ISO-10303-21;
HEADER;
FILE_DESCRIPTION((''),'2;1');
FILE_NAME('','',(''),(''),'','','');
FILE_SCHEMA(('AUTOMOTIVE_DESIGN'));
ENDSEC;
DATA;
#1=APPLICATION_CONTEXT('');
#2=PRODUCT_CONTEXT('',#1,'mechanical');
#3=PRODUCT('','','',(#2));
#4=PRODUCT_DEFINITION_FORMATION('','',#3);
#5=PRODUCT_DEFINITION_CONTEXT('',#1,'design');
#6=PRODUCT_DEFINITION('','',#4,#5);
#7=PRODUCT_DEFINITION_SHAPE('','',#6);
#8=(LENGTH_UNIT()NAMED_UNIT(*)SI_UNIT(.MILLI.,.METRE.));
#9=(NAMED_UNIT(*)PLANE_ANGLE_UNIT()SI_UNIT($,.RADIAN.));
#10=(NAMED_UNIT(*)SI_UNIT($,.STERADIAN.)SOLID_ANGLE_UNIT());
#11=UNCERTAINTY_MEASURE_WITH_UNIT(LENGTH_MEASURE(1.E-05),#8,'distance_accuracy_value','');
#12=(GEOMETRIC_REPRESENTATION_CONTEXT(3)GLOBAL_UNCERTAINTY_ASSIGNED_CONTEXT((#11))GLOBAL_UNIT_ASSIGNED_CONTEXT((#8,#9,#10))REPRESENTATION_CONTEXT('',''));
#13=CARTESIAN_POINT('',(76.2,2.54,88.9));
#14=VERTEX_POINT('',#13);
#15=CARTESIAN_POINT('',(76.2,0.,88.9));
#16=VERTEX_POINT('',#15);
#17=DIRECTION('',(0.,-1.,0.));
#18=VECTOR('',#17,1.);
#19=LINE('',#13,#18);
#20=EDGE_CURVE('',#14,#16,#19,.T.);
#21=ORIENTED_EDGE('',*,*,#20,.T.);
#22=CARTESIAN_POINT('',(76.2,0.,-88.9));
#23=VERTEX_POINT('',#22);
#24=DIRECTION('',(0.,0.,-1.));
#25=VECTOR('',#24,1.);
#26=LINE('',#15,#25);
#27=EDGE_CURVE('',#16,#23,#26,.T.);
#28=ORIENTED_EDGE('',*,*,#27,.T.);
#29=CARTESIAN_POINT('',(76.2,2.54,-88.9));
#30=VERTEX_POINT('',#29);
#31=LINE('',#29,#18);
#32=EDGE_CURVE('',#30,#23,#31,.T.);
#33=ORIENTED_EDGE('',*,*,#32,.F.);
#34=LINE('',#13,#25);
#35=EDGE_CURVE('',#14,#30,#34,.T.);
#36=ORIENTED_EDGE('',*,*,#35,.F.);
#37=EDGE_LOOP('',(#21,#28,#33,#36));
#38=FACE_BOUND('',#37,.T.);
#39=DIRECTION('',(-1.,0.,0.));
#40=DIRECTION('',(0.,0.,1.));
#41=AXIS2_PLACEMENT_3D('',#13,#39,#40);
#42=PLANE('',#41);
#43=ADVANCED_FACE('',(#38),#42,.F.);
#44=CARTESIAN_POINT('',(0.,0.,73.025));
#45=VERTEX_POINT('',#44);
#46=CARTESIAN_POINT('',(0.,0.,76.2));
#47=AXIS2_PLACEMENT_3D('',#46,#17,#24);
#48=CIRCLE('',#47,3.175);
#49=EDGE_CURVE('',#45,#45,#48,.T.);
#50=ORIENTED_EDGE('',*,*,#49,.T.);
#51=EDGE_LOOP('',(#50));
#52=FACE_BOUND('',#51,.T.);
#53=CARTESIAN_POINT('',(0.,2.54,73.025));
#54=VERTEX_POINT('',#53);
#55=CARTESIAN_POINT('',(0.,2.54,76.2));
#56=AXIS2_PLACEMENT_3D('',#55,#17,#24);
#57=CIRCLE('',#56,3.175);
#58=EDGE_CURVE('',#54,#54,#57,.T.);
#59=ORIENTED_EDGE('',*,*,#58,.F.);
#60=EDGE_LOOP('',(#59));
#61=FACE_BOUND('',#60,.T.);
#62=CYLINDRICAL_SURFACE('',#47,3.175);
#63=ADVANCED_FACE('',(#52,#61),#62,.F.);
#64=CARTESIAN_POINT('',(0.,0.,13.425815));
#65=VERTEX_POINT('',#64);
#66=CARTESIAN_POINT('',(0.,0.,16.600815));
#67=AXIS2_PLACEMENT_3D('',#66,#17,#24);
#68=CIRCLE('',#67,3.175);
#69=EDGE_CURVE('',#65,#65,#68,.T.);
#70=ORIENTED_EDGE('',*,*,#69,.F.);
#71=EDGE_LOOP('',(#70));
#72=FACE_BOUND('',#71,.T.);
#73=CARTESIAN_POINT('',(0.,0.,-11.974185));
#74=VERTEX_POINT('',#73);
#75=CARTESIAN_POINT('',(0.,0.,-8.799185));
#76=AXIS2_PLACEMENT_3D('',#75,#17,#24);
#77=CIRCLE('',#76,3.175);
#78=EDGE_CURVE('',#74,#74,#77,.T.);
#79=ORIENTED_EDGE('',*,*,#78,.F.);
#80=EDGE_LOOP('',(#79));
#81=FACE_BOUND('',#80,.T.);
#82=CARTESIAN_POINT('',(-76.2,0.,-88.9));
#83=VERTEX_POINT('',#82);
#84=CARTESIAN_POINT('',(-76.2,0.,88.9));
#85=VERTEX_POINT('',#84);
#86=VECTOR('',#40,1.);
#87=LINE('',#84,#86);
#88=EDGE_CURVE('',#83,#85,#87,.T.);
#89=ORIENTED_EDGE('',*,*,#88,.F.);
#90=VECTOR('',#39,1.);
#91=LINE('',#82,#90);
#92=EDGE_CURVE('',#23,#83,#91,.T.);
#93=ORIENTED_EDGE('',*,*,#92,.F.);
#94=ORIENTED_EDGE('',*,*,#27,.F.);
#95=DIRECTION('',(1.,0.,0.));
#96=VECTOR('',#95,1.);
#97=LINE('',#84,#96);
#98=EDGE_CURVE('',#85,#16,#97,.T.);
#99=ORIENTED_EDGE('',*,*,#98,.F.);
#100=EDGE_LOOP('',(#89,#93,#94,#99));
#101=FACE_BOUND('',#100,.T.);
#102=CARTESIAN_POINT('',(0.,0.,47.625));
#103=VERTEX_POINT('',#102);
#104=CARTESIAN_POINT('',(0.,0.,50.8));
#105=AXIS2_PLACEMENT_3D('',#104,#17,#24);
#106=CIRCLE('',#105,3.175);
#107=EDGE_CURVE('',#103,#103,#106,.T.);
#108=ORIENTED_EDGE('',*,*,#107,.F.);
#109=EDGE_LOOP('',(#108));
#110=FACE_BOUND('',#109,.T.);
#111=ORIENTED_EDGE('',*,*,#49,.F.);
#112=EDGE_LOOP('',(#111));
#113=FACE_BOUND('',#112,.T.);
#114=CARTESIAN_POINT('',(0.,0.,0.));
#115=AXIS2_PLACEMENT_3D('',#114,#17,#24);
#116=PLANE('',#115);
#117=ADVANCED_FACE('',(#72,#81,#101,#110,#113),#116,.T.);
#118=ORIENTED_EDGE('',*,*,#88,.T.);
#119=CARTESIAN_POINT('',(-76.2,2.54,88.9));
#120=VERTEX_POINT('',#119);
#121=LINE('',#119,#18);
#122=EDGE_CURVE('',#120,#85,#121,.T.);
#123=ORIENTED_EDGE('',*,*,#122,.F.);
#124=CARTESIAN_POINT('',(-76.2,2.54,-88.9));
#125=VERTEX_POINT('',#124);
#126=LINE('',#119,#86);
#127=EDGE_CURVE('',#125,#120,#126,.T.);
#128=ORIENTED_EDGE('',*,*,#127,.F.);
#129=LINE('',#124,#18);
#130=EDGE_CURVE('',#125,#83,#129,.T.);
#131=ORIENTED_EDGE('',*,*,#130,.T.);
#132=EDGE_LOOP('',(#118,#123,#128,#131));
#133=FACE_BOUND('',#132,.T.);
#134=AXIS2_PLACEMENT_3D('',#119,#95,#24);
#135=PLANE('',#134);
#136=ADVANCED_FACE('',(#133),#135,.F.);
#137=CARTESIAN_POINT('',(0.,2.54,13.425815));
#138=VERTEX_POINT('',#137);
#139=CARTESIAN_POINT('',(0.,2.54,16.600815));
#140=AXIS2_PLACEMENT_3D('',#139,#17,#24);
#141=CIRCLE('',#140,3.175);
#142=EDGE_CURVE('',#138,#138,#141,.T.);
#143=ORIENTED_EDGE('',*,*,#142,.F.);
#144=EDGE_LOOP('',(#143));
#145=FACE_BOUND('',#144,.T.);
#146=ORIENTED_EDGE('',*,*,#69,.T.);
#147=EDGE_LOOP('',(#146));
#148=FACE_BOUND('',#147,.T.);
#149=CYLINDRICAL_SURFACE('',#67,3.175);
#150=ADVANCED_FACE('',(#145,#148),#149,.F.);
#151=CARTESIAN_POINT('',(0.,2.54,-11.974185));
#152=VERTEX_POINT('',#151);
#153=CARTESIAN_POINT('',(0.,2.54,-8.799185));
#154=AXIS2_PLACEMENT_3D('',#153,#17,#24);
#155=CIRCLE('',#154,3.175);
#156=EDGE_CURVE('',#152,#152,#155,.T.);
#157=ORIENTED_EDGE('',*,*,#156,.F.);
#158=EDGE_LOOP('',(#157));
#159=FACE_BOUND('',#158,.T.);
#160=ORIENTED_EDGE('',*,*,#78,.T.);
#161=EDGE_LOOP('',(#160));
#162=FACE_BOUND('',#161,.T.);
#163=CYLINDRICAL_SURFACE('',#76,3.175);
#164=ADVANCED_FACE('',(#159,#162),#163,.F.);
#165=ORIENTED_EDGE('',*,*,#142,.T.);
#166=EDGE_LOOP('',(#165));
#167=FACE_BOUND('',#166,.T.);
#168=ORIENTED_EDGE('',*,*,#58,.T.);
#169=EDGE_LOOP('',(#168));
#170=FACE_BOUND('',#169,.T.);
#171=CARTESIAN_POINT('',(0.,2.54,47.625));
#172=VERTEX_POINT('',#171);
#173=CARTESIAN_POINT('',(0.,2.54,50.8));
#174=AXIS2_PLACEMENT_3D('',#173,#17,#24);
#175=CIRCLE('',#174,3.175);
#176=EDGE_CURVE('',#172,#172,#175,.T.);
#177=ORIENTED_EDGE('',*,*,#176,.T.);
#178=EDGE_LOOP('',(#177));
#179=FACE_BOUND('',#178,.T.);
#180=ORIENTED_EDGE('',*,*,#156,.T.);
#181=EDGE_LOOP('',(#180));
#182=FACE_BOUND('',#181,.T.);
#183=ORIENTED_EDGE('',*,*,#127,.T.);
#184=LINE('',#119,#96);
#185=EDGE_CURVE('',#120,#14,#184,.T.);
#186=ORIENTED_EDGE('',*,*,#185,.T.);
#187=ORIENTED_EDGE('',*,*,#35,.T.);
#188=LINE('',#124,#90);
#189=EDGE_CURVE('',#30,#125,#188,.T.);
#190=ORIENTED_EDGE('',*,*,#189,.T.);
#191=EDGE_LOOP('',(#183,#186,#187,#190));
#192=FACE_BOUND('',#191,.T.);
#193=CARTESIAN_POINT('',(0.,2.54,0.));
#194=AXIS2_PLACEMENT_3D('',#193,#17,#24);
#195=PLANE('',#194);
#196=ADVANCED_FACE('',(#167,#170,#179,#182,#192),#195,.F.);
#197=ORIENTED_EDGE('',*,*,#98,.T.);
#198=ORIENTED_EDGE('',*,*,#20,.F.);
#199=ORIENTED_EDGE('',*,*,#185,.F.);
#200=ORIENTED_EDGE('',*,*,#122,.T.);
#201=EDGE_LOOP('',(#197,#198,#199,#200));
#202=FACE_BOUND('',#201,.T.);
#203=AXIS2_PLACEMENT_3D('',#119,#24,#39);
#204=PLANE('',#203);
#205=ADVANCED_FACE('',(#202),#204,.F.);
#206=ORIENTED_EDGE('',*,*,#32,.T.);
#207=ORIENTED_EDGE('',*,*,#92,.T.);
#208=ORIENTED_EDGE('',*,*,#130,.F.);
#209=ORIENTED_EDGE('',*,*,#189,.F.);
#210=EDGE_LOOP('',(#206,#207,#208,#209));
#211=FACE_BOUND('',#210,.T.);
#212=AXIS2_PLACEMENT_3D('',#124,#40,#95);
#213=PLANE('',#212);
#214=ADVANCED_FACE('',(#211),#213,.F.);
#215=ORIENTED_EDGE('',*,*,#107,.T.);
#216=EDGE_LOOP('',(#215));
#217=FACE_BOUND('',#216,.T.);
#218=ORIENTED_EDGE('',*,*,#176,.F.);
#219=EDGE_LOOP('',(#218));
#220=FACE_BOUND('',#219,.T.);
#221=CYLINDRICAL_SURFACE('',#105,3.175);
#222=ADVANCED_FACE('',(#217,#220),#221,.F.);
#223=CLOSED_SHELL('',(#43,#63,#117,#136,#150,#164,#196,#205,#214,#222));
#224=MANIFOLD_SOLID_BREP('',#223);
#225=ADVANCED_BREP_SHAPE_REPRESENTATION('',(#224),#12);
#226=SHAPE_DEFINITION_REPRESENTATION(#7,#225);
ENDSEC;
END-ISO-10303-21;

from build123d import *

# Parameters (mm, degrees)
SKETCH1_W                   = 152.4
SKETCH1_H                   = 177.8
BOSS_EXTRUDE1_DEPTH         = 2.54
F_1_4_0_25_DIAMETER_HOLE1_D = 6.35


with BuildPart() as part:
    # Sketch1 → Boss-Extrude1 (new body)
    with BuildSketch(Plane(origin=(0, 0, 0), x_dir=(1, 0, 0), z_dir=(0, 1, 0))):
        Rectangle(SKETCH1_W, SKETCH1_H)
    extrude(amount=BOSS_EXTRUDE1_DEPTH)

    # 1/4 (0.25) Diameter Hole1 (through all)
    with Locations(Plane(origin=(0, 0, 0), x_dir=(-1, 0, 0), z_dir=(0, -1, 0))):
        with Locations((0, -76.2), (0, -50.8), (0, 8.799184965), (0, -16.600815035)):
            Hole(F_1_4_0_25_DIAMETER_HOLE1_D / 2)


solid = part.part
